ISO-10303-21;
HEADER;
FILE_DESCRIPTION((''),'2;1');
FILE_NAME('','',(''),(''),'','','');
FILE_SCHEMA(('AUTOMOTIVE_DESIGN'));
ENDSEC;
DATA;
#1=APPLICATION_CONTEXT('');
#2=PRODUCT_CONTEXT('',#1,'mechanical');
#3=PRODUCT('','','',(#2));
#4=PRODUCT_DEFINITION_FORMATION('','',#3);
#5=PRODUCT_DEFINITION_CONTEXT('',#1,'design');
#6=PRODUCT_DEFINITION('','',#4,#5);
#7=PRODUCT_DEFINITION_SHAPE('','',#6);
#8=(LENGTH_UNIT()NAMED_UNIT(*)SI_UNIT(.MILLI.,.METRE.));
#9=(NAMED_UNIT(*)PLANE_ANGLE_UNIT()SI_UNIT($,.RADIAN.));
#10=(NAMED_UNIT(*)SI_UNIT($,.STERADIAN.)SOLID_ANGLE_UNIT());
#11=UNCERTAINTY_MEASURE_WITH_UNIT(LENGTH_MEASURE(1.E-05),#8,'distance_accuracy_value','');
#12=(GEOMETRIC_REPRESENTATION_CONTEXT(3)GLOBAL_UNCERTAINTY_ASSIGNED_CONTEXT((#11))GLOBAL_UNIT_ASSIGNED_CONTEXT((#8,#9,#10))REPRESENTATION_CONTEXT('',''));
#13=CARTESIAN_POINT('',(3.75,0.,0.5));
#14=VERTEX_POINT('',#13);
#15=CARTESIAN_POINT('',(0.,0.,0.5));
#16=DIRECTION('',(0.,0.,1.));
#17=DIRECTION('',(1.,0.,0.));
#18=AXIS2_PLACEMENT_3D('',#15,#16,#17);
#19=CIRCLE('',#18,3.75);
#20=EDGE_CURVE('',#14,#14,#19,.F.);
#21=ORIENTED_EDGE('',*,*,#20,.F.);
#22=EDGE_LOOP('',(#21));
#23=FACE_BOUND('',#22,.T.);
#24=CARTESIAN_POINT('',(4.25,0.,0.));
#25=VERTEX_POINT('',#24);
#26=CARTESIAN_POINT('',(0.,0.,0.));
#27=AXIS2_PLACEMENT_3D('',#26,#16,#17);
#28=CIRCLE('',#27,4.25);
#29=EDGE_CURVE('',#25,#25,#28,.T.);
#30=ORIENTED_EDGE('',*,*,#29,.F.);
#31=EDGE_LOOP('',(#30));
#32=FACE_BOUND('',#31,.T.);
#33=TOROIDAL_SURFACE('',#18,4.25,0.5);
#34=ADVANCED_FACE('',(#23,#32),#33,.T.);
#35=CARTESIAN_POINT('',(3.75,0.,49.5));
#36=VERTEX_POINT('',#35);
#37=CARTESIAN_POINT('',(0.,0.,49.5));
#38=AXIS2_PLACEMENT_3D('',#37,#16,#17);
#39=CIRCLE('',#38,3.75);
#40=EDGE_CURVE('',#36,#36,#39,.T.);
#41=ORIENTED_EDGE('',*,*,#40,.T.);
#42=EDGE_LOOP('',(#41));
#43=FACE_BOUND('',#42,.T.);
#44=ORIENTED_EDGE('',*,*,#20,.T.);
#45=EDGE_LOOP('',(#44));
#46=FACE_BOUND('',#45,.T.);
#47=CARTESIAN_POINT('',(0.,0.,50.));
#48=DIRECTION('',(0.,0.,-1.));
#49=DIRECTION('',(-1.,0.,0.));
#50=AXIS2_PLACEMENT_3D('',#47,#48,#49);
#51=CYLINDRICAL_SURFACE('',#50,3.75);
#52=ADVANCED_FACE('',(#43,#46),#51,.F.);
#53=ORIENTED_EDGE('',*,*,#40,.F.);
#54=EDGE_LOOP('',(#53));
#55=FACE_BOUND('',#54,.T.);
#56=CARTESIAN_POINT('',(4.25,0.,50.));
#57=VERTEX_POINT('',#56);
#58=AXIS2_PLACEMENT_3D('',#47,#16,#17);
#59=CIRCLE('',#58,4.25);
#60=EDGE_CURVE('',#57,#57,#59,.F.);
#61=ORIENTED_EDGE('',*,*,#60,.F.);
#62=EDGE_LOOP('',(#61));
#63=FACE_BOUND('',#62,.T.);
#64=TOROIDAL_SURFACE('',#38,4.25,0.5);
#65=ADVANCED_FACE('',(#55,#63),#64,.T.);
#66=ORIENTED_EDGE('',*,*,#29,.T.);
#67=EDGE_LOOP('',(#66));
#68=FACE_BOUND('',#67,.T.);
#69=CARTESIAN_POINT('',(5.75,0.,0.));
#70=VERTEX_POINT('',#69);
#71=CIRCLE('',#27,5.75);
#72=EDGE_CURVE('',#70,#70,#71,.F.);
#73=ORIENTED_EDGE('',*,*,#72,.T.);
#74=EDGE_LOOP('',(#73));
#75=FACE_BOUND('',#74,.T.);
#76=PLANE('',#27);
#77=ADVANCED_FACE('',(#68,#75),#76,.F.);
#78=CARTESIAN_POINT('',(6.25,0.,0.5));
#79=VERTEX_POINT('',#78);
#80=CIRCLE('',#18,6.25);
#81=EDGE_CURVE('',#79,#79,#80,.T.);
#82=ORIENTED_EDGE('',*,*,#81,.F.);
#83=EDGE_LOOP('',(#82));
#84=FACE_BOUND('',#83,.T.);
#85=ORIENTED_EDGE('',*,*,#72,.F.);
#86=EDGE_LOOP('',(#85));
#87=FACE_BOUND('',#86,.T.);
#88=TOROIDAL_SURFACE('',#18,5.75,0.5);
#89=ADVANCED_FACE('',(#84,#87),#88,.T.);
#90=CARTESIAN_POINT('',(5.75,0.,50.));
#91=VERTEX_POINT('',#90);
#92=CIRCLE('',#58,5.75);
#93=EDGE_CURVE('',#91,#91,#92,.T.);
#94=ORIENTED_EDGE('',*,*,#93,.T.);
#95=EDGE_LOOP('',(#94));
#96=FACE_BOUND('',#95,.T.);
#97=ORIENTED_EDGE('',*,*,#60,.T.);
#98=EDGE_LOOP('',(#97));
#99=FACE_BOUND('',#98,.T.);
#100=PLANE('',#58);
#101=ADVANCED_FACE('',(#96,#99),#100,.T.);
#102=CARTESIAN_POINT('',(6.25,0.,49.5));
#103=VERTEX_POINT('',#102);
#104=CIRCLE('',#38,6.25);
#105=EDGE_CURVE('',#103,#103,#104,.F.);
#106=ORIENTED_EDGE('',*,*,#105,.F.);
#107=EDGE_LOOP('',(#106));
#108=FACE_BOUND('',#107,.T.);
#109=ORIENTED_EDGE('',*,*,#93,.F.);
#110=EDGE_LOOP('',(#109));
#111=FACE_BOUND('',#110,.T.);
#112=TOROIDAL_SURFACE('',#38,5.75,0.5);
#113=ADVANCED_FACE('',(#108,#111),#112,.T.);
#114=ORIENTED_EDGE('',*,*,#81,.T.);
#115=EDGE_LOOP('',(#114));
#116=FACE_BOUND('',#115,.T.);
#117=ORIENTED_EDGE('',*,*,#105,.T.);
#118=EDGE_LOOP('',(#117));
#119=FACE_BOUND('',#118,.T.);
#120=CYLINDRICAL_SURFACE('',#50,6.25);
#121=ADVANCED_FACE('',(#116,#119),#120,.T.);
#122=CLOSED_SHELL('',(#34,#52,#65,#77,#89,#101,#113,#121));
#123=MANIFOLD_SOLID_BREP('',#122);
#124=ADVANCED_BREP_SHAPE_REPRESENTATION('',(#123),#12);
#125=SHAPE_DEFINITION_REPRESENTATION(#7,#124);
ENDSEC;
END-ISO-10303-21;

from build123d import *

# Parameters (mm, degrees)
SKETCH1_R           = 6.25
SKETCH1_R_2         = 3.75
BOSS_EXTRUDE1_DEPTH = 50
FILLET1_R           = 0.5


with BuildPart() as part:
    # Sketch1 → Boss-Extrude1 (new body)
    with BuildSketch(Plane.XY):
        Circle(SKETCH1_R)
        Circle(SKETCH1_R_2, mode=Mode.SUBTRACT)
    extrude(amount=BOSS_EXTRUDE1_DEPTH)

    # Fillet1
    fillet1_edges = [part.edges().sort_by_distance(p)[0] for p in [
        (-6.25, 0, 0),
        (-6.25, 0, 50),
        (-3.75, 0, 0),
        (-3.75, 0, 50),
    ]]
    fillet(fillet1_edges, radius=FILLET1_R)


solid = part.part
